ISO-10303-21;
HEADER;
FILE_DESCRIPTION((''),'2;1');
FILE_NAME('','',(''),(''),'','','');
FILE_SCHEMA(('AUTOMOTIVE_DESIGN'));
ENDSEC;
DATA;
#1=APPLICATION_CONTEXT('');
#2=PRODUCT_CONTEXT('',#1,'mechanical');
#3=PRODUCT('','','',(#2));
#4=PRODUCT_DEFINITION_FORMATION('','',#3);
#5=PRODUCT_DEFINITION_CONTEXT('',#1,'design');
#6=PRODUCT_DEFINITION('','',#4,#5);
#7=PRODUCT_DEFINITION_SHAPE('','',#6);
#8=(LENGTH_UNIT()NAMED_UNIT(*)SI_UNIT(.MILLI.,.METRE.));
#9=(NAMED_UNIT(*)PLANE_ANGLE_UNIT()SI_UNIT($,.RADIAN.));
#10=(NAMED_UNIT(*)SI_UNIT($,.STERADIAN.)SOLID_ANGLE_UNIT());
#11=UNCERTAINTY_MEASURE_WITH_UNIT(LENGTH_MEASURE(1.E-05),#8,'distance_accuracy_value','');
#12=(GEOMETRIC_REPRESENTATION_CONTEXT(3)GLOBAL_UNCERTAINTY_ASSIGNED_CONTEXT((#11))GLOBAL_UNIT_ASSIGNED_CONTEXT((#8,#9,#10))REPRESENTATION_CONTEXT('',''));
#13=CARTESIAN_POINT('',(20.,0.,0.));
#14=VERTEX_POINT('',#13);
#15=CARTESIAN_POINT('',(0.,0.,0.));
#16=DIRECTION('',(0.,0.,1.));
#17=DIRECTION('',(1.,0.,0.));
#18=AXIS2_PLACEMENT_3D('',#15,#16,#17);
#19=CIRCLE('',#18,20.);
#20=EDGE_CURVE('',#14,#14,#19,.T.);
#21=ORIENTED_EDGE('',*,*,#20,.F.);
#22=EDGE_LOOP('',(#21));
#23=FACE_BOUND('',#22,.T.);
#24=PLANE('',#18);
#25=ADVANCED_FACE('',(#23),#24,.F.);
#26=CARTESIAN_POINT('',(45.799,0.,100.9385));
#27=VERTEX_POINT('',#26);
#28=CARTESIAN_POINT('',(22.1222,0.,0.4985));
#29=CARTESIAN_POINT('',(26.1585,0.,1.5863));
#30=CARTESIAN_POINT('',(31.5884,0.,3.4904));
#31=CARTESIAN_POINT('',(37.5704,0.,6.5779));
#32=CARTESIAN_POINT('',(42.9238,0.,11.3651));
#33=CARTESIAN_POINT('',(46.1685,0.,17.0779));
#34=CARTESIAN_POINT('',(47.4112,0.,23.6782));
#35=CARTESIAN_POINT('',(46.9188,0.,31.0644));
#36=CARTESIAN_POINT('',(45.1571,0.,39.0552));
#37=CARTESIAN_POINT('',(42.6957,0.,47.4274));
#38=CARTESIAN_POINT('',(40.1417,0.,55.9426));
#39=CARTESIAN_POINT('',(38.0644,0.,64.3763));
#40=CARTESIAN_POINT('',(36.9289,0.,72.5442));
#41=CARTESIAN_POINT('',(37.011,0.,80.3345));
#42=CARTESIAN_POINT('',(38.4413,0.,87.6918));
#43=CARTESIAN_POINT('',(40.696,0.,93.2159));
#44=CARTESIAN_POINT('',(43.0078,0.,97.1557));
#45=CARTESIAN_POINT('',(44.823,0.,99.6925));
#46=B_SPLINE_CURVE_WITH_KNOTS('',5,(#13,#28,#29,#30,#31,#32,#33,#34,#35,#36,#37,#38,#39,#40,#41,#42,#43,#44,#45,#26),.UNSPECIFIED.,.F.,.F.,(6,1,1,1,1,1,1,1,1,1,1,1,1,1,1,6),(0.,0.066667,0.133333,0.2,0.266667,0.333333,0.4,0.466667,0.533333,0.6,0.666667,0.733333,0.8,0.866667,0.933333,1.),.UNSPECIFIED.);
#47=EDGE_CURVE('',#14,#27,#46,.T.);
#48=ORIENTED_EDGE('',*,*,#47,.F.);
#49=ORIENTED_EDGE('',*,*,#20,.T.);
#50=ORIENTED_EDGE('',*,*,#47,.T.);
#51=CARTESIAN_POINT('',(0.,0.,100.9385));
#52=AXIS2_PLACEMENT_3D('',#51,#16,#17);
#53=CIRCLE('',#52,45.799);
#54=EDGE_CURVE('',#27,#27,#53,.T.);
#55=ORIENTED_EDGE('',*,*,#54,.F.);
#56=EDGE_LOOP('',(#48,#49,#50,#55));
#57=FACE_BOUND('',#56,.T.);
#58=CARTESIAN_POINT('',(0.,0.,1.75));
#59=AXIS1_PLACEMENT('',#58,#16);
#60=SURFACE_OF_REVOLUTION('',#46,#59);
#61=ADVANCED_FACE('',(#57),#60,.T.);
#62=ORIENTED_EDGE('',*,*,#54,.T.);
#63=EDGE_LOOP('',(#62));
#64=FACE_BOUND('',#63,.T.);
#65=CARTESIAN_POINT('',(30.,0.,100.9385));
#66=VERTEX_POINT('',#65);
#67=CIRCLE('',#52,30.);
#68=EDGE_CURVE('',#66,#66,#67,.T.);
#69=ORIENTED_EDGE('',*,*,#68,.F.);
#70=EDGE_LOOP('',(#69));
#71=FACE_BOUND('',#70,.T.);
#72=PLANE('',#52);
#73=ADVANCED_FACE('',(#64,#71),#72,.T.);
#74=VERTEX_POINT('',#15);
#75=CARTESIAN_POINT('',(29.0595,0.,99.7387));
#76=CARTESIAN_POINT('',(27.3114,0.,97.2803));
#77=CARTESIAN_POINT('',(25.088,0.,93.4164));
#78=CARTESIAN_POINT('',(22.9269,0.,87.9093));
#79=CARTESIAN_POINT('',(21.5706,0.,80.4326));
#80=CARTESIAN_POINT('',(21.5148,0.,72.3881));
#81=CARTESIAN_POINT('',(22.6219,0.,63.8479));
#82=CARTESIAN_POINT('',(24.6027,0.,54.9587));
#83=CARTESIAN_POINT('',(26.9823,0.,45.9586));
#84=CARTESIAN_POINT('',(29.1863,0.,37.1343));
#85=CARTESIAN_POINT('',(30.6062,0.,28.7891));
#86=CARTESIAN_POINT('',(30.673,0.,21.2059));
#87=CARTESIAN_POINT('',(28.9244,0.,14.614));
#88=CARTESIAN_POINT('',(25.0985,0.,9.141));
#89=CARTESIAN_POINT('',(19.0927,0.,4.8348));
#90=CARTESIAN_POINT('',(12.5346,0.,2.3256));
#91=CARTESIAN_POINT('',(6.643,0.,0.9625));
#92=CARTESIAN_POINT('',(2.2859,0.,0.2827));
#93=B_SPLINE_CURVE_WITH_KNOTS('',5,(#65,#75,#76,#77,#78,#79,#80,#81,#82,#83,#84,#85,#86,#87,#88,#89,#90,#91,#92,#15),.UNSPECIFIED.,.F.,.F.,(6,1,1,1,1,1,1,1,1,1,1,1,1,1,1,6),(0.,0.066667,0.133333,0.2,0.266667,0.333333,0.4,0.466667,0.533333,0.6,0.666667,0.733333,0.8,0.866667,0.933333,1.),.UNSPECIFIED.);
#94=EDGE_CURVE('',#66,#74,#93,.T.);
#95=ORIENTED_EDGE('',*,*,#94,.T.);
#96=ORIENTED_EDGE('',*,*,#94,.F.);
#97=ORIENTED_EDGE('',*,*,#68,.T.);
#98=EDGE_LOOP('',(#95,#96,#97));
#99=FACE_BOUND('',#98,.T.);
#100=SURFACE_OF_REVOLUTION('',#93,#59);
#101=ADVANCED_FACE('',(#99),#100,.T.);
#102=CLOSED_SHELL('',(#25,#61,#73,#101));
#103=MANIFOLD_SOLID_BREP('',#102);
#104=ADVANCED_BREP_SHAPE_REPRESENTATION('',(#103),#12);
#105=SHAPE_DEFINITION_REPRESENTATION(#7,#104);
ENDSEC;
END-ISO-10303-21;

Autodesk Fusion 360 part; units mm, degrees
sketch "Sketch1" plane through (0, 0, 0) normal (0, 1, 0) x (1, 0, 0)
  line L0 (0, 0) -> (20, 0)
  spline S0 degree 5 poles (20, 0) (22.1222, -0.4985) (26.1585, -1.5863) (31.5884, -3.4904) (37.5704, -6.5779) (42.9238, -11.3651) (46.1685, -17.0779) (47.4112, -23.6782) (46.9188, -31.0644) (45.1571, -39.0552) (42.6957, -47.4274) (40.1417, -55.9426) (38.0644, -64.3763) (36.9289, -72.5442) (37.011, -80.3345) (38.4413, -87.6918) (40.696, -93.2159) (43.0078, -97.1557) (44.823, -99.6925) (45.799, -100.9385) knots 0 0 0 0 0 0 0.066667 0.133333 0.2 0.266667 0.333333 0.4 0.466667 0.533333 0.6 0.666667 0.733333 0.8 0.866667 0.933333 1 1 1 1 1 1
  line L1 (45.799, -100.9385) -> (30, -100.9385)
  spline S1 degree 5 poles (30, -100.9385) (29.0595, -99.7387) (27.3114, -97.2803) (25.088, -93.4164) (22.9269, -87.9093) (21.5706, -80.4326) (21.5148, -72.3881) (22.6219, -63.8479) (24.6027, -54.9587) (26.9823, -45.9586) (29.1863, -37.1343) (30.6062, -28.7891) (30.673, -21.2059) (28.9244, -14.614) (25.0985, -9.141) (19.0927, -4.8348) (12.5346, -2.3256) (6.643, -0.9625) (2.2859, -0.2827) (0, 0) knots 0 0 0 0 0 0 0.066667 0.133333 0.2 0.266667 0.333333 0.4 0.466667 0.533333 0.6 0.666667 0.733333 0.8 0.866667 0.933333 1 1 1 1 1 1
  point P0 (46.8469, -22.3473)
  point P1 (38.1146, -65.3105)
  point P2 (22.5597, -65.4553)
  point P3 (30, -20)
revolve "Revolve1" add sketch "Sketch1" angle 360 about axis through (0, 0, 1.75) along (0, 0, 1)
